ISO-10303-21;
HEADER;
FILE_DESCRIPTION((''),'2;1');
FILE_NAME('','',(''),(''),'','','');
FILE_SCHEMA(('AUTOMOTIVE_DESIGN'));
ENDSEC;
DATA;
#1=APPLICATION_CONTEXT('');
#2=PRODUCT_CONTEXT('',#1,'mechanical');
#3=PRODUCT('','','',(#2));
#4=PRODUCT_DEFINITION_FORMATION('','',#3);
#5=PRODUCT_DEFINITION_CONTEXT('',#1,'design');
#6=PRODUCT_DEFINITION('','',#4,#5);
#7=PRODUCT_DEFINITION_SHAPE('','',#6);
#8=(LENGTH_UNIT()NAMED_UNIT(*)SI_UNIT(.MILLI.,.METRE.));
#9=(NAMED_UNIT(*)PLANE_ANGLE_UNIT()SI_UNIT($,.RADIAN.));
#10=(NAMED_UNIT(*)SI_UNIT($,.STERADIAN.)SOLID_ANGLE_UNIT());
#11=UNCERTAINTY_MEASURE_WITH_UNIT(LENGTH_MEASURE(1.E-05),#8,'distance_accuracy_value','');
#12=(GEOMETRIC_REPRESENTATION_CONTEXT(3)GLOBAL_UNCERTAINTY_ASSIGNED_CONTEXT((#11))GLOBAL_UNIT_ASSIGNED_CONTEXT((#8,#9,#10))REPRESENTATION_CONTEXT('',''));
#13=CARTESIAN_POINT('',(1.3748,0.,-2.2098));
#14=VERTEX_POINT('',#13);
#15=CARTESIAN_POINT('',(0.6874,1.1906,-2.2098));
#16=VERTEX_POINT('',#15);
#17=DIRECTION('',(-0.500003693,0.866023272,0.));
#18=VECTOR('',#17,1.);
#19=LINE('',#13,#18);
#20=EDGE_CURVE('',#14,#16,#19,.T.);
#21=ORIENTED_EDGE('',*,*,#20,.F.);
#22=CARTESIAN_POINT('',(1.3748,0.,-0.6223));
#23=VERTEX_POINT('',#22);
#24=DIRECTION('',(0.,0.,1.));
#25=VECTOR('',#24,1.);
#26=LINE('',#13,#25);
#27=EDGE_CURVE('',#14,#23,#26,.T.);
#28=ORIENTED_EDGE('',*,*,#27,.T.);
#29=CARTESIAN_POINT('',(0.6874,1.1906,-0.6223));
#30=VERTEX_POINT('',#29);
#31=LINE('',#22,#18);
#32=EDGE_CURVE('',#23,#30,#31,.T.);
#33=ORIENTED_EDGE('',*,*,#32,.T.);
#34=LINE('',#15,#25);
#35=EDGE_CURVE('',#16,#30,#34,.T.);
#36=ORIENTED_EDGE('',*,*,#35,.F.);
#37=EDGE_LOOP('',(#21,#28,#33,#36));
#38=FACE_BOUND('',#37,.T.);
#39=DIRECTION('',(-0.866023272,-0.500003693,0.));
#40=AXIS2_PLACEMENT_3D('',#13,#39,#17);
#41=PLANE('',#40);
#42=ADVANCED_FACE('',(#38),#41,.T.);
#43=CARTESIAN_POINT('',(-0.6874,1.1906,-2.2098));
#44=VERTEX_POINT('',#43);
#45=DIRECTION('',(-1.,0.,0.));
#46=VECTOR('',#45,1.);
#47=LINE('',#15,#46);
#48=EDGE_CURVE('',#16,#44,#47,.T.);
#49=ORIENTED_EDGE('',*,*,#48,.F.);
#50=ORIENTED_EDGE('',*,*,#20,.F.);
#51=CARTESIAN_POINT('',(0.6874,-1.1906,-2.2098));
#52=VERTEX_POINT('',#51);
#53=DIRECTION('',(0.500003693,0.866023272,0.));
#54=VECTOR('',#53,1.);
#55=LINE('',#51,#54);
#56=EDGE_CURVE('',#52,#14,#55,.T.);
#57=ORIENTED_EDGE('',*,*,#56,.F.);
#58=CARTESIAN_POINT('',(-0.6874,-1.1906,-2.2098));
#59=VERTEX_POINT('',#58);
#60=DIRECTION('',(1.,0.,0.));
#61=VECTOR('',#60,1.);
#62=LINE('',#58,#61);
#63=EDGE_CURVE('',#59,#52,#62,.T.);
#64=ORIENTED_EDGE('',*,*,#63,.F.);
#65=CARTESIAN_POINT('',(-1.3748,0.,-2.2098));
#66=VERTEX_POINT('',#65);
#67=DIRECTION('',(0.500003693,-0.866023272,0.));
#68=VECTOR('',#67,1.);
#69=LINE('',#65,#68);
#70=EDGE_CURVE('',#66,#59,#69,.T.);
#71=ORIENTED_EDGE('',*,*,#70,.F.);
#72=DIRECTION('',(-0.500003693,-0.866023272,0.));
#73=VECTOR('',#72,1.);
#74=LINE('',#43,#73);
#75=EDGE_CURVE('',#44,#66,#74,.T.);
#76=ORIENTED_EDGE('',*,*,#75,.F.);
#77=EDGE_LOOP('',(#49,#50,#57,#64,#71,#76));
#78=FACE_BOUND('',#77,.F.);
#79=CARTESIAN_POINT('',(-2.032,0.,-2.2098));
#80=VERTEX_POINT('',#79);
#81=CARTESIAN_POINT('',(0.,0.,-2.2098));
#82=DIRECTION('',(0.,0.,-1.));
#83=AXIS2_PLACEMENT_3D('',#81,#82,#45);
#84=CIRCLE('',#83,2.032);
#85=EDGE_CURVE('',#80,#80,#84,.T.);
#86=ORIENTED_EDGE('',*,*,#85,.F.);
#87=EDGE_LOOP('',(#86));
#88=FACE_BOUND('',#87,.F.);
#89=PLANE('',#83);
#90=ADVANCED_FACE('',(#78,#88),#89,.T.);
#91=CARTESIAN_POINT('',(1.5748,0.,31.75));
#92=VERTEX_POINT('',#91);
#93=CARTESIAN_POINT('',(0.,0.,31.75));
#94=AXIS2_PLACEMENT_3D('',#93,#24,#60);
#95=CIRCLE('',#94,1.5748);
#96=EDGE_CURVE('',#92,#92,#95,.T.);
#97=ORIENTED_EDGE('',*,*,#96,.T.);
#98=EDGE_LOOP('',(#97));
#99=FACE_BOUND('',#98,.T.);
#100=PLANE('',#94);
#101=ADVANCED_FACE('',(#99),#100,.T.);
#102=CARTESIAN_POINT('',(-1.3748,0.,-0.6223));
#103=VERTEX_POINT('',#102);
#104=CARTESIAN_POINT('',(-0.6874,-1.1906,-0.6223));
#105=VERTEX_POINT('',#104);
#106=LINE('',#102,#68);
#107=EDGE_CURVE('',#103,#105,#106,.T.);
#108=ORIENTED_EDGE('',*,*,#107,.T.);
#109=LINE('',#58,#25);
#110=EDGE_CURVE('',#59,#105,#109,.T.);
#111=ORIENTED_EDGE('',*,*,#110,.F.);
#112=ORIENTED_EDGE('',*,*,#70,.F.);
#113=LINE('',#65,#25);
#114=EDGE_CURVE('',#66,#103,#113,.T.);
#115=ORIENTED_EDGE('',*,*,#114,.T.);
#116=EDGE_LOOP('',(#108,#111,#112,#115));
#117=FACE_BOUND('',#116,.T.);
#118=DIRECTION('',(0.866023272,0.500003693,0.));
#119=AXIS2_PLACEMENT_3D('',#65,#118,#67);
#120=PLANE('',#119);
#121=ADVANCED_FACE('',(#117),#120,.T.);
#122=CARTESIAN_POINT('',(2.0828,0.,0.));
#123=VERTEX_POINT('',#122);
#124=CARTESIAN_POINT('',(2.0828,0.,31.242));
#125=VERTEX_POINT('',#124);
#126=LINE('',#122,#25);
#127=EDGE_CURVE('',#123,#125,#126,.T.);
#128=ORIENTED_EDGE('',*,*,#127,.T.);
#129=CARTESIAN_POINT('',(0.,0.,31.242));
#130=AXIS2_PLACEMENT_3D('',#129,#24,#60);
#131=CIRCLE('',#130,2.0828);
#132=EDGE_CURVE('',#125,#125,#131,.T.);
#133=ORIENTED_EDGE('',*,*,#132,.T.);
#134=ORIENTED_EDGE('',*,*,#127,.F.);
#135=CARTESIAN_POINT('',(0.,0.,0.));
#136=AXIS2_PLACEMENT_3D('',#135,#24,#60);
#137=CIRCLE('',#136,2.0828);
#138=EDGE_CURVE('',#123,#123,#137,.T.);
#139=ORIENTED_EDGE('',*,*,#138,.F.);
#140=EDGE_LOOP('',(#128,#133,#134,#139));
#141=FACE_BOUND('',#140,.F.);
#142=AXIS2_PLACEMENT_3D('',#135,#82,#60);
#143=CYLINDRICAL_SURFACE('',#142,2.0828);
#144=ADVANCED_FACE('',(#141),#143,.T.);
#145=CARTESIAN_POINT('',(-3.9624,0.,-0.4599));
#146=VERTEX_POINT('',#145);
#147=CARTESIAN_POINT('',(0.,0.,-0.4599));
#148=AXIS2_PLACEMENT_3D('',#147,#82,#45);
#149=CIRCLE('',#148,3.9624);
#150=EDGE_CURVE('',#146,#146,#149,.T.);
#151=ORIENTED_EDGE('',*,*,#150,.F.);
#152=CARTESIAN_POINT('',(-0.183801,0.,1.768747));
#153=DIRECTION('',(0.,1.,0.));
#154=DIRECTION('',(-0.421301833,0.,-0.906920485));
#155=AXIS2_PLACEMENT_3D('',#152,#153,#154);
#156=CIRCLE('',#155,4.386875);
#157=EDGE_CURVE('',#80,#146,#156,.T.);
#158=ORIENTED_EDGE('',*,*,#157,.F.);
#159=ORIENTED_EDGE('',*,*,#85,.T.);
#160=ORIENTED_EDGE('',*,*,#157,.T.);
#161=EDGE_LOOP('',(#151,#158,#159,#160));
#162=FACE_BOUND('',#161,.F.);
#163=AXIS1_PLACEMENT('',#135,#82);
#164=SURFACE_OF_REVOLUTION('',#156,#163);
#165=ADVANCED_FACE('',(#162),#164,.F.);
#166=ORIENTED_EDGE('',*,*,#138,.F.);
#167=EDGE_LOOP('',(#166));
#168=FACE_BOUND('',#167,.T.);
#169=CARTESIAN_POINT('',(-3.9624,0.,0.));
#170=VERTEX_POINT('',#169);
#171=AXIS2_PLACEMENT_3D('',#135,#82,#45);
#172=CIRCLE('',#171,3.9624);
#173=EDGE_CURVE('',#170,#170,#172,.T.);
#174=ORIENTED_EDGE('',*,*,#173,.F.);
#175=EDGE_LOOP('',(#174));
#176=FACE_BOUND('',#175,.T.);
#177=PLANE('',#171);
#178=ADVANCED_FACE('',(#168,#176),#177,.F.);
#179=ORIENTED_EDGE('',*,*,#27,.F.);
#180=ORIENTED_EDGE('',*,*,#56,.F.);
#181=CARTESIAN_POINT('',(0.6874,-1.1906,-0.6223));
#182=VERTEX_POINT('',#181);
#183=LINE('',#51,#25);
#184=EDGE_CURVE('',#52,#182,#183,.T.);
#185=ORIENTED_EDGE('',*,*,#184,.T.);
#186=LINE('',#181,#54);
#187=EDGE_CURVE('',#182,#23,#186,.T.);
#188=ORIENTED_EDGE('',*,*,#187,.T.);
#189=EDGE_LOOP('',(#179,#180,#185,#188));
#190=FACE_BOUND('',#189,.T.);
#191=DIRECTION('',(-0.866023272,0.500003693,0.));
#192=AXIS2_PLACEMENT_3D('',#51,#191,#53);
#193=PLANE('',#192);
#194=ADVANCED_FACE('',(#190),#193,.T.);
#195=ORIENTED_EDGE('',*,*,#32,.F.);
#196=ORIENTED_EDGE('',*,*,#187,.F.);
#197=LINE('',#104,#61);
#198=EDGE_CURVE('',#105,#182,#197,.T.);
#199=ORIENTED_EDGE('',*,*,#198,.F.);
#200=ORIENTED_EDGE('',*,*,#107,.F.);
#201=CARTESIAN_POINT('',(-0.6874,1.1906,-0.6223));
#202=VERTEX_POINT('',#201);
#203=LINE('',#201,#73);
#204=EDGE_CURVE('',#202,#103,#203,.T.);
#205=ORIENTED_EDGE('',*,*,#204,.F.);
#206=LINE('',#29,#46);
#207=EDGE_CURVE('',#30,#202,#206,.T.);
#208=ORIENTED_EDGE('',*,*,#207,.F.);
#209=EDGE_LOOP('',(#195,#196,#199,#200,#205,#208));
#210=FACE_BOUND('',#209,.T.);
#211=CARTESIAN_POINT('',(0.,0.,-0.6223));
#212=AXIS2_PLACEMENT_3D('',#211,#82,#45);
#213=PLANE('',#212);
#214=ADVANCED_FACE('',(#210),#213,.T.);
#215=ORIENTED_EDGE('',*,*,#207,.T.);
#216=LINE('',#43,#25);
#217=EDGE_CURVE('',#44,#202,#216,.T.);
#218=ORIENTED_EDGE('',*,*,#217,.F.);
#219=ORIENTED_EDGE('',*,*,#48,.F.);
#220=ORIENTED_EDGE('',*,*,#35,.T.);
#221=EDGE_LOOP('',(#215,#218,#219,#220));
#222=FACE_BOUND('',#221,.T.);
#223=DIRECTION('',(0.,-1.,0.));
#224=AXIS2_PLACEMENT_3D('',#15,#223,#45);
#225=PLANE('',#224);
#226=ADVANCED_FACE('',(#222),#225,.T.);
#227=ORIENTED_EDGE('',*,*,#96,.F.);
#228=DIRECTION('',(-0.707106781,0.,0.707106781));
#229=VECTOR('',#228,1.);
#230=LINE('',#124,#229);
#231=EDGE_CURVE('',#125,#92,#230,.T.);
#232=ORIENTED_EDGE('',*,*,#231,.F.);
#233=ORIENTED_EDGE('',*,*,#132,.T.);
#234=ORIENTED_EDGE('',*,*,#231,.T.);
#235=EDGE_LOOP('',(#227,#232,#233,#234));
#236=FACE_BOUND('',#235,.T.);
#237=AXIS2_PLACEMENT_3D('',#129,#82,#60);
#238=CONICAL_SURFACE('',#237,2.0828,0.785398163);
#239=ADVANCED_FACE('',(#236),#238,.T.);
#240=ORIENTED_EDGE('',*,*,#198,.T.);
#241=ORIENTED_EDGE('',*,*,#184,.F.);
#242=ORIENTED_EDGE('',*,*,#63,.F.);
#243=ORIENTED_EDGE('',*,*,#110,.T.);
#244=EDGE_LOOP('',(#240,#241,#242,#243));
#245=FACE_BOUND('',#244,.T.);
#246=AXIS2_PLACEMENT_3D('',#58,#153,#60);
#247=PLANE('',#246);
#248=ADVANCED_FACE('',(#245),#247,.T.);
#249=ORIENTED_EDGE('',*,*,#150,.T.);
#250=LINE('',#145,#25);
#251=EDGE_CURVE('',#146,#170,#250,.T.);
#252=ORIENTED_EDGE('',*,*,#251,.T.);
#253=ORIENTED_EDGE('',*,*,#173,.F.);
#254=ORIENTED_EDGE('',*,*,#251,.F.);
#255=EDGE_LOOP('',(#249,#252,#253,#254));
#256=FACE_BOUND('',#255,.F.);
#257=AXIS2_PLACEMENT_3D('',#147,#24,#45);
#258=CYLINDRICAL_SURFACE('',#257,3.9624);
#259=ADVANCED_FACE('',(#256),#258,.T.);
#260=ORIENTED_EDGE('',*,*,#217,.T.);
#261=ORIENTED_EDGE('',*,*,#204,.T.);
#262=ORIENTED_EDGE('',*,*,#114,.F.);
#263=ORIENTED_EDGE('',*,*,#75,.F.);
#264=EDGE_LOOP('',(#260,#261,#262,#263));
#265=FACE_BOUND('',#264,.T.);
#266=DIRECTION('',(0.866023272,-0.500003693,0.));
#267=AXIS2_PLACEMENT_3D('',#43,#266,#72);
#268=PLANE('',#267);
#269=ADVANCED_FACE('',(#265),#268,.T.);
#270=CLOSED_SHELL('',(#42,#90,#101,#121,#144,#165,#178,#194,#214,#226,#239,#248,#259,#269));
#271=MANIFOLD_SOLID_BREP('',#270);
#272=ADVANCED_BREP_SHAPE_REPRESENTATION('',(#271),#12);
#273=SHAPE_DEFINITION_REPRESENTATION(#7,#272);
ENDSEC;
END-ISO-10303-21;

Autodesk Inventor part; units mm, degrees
ref_plane "YZ Plane" through (0, 0, 0) normal (1, 0, 0) x (0, 1, 0)
ref_plane "XZ Plane" through (0, 0, 0) normal (0, 1, 0) x (-1, 0, 0)
ref_plane "XY Plane" through (0, 0, 0) normal (0, 0, 1) x (1, 0, 0)
sketch "Sketch1" plane through (0, 0, 0) normal (0, 0, 1) x (1, 0, 0)
  circle A0 centre (0, 0) radius 2.0828
  dimension "d0" = 4.1656
extrude "Extrusion1" add sketch "Sketch1" along normal blind 31.75
sketch "Sketch2" plane through (0, 0, 0) normal (0, 1, 0) x (-1, 0, 0)
  line L0 (0, 0) -> (0, -2.2098)
  line L1 (0, 0) -> (3.9624, 0)
  line L2 (0, -2.2098) -> (2.032, -2.2098)
  line L3 (3.9624, 0) -> (3.9624, 3.6562) construction
  arc A0 (2.032, -2.2098) -> (3.9624, -0.4599) centre (0.1837, 1.7689) ccw
  line L4 (4.5847, 0.6553) -> (4.5847, -0.2608) construction
  line L5 (3.9624, -0.4599) -> (3.9624, 0)
  dimension "d3" = 2.2098
  dimension "d6" = 2.032
  dimension "d19" = 3.9624
revolve "Revolution1" add sketch "Sketch2" angle 360 about axis through (0, 0, 0) along (0, 0, -1)
sketch "Sketch3" plane through (0, 0, -2.2098) normal (0, 0, -1) x (-1, 0, 0)
  circle A0 centre (0, 0) radius 2.032 projected
  line L0 (-0.6874, 1.1906) -> (0.6874, 1.1906)
  line L1 (0.6874, 1.1906) -> (1.3748, 0)
  line L2 (1.3748, 0) -> (0.6874, -1.1906)
  line L3 (0.6874, -1.1906) -> (-0.6874, -1.1906)
  line L4 (-0.6874, -1.1906) -> (-1.3748, 0)
  line L5 (-1.3748, 0) -> (-0.6874, 1.1906)
  dimension "d8" = 2.3813
extrude "Extrusion2" cut sketch "Sketch3" against normal blind 1.5875 contours L0 L1 L2 L3 L4 L5
chamfer "Chamfer1" distance 0.508 angle 45 1 edges at (-2.0828, 0, 31.75)
thread "Thread1" size "8-32 UNC" class "2A" standard "ANSI Unified Screw Threads" length 25.4
properties part number "10-32 x500 button head" material "Steel"
